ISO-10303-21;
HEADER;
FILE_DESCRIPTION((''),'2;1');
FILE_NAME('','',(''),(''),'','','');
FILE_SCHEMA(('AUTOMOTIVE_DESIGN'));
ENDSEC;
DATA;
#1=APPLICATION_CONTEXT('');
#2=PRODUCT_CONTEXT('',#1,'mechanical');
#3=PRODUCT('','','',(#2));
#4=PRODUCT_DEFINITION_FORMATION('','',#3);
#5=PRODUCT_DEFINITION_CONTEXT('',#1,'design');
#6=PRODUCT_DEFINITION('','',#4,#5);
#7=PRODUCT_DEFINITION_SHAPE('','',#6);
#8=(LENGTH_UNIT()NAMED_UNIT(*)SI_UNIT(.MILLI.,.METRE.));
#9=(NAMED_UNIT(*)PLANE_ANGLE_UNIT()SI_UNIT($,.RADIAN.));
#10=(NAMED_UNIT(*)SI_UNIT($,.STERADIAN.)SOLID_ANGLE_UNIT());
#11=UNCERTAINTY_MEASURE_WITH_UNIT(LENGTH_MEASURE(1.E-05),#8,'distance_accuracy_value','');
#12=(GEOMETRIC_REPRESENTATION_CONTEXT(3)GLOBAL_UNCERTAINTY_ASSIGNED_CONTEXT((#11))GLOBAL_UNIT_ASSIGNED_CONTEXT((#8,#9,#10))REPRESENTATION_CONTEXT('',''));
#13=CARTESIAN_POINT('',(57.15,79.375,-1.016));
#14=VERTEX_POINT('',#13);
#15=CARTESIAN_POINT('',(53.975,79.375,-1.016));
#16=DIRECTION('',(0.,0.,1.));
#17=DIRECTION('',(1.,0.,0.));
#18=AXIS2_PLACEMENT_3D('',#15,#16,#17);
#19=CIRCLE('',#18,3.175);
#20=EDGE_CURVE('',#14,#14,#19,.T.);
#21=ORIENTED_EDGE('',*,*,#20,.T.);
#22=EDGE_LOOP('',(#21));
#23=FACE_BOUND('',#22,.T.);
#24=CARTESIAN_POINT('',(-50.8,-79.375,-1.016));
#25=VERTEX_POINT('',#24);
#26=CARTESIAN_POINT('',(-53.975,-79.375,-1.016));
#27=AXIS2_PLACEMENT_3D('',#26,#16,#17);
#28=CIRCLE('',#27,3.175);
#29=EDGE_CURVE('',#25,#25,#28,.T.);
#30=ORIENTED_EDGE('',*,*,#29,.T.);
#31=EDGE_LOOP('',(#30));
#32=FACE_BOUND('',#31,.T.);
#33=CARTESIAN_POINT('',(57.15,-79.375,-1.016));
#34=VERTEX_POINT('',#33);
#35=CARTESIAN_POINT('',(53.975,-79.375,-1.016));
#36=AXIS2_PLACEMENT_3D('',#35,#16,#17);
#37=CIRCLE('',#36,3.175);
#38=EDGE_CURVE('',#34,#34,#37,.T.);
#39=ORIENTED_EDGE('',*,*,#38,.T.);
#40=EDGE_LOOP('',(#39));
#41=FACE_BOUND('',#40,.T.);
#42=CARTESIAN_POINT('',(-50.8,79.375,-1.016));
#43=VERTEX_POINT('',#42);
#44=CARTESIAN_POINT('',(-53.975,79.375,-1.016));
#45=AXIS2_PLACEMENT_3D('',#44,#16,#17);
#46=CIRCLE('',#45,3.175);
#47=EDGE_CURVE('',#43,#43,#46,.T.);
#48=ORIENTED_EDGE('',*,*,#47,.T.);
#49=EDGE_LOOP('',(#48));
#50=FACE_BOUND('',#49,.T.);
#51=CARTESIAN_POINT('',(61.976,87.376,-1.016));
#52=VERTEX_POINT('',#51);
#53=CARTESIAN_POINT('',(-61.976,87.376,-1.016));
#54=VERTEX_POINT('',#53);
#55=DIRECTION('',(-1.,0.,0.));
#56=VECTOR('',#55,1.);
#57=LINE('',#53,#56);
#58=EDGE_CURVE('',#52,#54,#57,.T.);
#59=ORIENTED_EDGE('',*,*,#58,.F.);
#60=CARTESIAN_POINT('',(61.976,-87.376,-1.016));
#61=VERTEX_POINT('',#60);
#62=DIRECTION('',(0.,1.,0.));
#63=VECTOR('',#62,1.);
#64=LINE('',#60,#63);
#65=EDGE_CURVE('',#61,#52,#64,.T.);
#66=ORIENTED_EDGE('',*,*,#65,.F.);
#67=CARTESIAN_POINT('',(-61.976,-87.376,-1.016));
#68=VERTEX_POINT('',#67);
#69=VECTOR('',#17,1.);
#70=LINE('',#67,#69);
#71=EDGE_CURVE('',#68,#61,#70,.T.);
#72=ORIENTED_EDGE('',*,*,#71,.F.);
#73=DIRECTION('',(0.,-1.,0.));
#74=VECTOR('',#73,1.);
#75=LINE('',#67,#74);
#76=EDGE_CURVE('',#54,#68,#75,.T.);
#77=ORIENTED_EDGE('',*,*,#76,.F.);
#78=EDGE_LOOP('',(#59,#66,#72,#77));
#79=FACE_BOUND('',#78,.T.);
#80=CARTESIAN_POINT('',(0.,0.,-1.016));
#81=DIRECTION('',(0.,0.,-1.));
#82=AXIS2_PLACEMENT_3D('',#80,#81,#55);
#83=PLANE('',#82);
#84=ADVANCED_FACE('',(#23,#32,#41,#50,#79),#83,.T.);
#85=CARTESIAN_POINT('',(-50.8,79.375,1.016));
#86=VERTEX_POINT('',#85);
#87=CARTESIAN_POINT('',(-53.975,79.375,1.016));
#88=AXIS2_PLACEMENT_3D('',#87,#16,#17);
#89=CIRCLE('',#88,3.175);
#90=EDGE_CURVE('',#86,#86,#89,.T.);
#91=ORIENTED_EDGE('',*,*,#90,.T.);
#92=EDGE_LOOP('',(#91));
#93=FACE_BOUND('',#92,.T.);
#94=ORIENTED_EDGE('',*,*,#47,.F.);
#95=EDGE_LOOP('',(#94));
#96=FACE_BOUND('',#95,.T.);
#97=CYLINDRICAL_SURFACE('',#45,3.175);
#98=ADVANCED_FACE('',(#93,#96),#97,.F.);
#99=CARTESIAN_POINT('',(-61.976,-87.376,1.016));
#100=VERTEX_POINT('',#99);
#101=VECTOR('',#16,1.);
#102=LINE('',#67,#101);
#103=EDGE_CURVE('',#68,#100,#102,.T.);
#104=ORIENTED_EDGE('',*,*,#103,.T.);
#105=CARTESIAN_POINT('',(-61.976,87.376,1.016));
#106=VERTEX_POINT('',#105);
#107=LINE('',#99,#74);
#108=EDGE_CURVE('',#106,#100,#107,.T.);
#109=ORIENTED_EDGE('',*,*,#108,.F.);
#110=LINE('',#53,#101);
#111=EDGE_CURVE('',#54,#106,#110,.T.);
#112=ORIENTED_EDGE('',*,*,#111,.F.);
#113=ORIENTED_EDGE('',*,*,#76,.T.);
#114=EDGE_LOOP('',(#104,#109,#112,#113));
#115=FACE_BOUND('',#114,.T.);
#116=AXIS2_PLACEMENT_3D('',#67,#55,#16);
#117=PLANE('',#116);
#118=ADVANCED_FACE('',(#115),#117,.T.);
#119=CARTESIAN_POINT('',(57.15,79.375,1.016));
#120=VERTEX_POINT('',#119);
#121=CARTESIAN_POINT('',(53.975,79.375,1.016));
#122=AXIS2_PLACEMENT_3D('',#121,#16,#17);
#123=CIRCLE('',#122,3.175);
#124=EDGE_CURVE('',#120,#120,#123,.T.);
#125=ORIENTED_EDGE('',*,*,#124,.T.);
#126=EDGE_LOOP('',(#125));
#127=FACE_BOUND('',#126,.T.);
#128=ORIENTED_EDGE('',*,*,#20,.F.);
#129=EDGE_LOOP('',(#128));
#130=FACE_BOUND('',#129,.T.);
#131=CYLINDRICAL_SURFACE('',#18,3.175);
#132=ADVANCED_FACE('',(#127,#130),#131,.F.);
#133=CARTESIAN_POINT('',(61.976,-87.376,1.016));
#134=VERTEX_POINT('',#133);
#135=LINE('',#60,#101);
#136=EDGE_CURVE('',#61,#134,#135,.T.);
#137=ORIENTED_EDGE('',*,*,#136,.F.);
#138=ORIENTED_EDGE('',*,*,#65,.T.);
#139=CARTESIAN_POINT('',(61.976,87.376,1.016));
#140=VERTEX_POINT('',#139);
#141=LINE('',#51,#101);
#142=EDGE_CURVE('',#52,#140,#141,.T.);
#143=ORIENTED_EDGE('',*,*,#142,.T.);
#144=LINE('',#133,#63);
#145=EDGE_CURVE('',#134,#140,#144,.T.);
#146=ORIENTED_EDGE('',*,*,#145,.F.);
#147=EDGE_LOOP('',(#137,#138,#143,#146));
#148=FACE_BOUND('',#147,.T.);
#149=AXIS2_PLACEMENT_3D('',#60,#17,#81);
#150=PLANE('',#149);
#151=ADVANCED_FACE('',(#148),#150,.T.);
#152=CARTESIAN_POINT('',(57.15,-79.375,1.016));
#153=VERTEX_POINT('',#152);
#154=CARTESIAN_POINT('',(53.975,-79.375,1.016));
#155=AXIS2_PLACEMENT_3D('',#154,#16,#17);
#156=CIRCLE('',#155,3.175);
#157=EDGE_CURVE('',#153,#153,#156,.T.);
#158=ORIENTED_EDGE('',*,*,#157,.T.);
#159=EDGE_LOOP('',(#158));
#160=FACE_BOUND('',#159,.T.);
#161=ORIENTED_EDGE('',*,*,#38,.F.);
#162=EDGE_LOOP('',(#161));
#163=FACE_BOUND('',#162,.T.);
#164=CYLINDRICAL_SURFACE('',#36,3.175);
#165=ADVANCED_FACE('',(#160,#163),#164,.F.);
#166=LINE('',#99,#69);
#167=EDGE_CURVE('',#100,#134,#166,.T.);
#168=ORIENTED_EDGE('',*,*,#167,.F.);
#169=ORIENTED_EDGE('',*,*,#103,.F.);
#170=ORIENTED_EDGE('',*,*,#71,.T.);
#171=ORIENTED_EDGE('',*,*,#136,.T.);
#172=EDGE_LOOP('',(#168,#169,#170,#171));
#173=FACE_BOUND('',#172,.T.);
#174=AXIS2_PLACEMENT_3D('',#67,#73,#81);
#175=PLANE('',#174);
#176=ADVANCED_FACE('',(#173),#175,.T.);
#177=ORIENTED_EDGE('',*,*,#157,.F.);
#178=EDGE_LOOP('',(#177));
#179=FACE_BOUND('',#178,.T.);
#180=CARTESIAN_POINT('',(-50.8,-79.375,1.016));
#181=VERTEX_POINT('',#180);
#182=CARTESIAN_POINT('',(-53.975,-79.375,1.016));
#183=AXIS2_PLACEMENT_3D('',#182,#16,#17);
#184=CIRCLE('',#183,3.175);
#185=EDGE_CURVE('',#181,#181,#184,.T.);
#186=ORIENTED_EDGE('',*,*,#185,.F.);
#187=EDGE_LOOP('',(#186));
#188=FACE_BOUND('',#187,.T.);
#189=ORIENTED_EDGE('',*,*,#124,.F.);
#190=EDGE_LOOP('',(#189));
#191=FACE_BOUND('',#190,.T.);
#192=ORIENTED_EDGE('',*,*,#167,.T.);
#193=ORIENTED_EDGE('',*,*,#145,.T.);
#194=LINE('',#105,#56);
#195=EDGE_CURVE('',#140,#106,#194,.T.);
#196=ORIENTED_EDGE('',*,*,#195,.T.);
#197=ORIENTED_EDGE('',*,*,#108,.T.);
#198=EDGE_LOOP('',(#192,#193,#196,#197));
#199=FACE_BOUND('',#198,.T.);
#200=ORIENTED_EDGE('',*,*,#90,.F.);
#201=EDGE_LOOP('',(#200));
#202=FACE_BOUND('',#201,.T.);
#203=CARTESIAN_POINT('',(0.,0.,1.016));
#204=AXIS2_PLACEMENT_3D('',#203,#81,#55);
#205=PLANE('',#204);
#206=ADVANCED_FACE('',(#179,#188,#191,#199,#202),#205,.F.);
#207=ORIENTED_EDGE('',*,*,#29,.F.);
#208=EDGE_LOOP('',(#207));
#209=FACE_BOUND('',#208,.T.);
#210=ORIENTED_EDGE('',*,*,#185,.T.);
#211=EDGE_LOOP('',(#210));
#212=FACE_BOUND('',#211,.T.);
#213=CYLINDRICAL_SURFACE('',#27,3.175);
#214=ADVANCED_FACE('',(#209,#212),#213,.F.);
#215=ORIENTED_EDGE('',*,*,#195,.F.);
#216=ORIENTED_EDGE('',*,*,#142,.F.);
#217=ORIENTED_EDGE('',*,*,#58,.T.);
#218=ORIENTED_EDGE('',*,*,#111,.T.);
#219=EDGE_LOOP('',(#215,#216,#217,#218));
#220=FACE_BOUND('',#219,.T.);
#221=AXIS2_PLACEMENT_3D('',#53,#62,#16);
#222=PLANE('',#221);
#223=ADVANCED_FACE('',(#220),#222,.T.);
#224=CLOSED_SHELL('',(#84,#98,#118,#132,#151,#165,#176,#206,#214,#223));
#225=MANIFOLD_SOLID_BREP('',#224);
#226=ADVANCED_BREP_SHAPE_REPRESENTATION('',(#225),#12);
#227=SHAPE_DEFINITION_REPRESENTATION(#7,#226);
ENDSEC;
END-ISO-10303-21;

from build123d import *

# Parameters (mm, degrees)
BOSS_EXTRUDE1_DEPTH      = 1.016
BOSS_EXTRUDE1_DEPTH_BACK = 1.016
SKETCH3_W                = 123.952
SKETCH3_H                = 174.752
SKETCH3_R                = 3.175


with BuildPart() as part:
    # Sketch3 → Boss-Extrude1 (new, two sides: drawn at the far end of the back side and taken through both)
    with BuildSketch(Plane.XY.offset(-BOSS_EXTRUDE1_DEPTH_BACK)):
        Rectangle(SKETCH3_W, SKETCH3_H)
        with Locations((-53.975, 79.375)):
            Circle(SKETCH3_R, mode=Mode.SUBTRACT)
        with Locations((53.975, 79.375)):
            Circle(SKETCH3_R, mode=Mode.SUBTRACT)
        with Locations((-53.975, -79.375)):
            Circle(SKETCH3_R, mode=Mode.SUBTRACT)
        with Locations((53.975, -79.375)):
            Circle(SKETCH3_R, mode=Mode.SUBTRACT)
    extrude(amount=BOSS_EXTRUDE1_DEPTH + BOSS_EXTRUDE1_DEPTH_BACK)


solid = part.part
